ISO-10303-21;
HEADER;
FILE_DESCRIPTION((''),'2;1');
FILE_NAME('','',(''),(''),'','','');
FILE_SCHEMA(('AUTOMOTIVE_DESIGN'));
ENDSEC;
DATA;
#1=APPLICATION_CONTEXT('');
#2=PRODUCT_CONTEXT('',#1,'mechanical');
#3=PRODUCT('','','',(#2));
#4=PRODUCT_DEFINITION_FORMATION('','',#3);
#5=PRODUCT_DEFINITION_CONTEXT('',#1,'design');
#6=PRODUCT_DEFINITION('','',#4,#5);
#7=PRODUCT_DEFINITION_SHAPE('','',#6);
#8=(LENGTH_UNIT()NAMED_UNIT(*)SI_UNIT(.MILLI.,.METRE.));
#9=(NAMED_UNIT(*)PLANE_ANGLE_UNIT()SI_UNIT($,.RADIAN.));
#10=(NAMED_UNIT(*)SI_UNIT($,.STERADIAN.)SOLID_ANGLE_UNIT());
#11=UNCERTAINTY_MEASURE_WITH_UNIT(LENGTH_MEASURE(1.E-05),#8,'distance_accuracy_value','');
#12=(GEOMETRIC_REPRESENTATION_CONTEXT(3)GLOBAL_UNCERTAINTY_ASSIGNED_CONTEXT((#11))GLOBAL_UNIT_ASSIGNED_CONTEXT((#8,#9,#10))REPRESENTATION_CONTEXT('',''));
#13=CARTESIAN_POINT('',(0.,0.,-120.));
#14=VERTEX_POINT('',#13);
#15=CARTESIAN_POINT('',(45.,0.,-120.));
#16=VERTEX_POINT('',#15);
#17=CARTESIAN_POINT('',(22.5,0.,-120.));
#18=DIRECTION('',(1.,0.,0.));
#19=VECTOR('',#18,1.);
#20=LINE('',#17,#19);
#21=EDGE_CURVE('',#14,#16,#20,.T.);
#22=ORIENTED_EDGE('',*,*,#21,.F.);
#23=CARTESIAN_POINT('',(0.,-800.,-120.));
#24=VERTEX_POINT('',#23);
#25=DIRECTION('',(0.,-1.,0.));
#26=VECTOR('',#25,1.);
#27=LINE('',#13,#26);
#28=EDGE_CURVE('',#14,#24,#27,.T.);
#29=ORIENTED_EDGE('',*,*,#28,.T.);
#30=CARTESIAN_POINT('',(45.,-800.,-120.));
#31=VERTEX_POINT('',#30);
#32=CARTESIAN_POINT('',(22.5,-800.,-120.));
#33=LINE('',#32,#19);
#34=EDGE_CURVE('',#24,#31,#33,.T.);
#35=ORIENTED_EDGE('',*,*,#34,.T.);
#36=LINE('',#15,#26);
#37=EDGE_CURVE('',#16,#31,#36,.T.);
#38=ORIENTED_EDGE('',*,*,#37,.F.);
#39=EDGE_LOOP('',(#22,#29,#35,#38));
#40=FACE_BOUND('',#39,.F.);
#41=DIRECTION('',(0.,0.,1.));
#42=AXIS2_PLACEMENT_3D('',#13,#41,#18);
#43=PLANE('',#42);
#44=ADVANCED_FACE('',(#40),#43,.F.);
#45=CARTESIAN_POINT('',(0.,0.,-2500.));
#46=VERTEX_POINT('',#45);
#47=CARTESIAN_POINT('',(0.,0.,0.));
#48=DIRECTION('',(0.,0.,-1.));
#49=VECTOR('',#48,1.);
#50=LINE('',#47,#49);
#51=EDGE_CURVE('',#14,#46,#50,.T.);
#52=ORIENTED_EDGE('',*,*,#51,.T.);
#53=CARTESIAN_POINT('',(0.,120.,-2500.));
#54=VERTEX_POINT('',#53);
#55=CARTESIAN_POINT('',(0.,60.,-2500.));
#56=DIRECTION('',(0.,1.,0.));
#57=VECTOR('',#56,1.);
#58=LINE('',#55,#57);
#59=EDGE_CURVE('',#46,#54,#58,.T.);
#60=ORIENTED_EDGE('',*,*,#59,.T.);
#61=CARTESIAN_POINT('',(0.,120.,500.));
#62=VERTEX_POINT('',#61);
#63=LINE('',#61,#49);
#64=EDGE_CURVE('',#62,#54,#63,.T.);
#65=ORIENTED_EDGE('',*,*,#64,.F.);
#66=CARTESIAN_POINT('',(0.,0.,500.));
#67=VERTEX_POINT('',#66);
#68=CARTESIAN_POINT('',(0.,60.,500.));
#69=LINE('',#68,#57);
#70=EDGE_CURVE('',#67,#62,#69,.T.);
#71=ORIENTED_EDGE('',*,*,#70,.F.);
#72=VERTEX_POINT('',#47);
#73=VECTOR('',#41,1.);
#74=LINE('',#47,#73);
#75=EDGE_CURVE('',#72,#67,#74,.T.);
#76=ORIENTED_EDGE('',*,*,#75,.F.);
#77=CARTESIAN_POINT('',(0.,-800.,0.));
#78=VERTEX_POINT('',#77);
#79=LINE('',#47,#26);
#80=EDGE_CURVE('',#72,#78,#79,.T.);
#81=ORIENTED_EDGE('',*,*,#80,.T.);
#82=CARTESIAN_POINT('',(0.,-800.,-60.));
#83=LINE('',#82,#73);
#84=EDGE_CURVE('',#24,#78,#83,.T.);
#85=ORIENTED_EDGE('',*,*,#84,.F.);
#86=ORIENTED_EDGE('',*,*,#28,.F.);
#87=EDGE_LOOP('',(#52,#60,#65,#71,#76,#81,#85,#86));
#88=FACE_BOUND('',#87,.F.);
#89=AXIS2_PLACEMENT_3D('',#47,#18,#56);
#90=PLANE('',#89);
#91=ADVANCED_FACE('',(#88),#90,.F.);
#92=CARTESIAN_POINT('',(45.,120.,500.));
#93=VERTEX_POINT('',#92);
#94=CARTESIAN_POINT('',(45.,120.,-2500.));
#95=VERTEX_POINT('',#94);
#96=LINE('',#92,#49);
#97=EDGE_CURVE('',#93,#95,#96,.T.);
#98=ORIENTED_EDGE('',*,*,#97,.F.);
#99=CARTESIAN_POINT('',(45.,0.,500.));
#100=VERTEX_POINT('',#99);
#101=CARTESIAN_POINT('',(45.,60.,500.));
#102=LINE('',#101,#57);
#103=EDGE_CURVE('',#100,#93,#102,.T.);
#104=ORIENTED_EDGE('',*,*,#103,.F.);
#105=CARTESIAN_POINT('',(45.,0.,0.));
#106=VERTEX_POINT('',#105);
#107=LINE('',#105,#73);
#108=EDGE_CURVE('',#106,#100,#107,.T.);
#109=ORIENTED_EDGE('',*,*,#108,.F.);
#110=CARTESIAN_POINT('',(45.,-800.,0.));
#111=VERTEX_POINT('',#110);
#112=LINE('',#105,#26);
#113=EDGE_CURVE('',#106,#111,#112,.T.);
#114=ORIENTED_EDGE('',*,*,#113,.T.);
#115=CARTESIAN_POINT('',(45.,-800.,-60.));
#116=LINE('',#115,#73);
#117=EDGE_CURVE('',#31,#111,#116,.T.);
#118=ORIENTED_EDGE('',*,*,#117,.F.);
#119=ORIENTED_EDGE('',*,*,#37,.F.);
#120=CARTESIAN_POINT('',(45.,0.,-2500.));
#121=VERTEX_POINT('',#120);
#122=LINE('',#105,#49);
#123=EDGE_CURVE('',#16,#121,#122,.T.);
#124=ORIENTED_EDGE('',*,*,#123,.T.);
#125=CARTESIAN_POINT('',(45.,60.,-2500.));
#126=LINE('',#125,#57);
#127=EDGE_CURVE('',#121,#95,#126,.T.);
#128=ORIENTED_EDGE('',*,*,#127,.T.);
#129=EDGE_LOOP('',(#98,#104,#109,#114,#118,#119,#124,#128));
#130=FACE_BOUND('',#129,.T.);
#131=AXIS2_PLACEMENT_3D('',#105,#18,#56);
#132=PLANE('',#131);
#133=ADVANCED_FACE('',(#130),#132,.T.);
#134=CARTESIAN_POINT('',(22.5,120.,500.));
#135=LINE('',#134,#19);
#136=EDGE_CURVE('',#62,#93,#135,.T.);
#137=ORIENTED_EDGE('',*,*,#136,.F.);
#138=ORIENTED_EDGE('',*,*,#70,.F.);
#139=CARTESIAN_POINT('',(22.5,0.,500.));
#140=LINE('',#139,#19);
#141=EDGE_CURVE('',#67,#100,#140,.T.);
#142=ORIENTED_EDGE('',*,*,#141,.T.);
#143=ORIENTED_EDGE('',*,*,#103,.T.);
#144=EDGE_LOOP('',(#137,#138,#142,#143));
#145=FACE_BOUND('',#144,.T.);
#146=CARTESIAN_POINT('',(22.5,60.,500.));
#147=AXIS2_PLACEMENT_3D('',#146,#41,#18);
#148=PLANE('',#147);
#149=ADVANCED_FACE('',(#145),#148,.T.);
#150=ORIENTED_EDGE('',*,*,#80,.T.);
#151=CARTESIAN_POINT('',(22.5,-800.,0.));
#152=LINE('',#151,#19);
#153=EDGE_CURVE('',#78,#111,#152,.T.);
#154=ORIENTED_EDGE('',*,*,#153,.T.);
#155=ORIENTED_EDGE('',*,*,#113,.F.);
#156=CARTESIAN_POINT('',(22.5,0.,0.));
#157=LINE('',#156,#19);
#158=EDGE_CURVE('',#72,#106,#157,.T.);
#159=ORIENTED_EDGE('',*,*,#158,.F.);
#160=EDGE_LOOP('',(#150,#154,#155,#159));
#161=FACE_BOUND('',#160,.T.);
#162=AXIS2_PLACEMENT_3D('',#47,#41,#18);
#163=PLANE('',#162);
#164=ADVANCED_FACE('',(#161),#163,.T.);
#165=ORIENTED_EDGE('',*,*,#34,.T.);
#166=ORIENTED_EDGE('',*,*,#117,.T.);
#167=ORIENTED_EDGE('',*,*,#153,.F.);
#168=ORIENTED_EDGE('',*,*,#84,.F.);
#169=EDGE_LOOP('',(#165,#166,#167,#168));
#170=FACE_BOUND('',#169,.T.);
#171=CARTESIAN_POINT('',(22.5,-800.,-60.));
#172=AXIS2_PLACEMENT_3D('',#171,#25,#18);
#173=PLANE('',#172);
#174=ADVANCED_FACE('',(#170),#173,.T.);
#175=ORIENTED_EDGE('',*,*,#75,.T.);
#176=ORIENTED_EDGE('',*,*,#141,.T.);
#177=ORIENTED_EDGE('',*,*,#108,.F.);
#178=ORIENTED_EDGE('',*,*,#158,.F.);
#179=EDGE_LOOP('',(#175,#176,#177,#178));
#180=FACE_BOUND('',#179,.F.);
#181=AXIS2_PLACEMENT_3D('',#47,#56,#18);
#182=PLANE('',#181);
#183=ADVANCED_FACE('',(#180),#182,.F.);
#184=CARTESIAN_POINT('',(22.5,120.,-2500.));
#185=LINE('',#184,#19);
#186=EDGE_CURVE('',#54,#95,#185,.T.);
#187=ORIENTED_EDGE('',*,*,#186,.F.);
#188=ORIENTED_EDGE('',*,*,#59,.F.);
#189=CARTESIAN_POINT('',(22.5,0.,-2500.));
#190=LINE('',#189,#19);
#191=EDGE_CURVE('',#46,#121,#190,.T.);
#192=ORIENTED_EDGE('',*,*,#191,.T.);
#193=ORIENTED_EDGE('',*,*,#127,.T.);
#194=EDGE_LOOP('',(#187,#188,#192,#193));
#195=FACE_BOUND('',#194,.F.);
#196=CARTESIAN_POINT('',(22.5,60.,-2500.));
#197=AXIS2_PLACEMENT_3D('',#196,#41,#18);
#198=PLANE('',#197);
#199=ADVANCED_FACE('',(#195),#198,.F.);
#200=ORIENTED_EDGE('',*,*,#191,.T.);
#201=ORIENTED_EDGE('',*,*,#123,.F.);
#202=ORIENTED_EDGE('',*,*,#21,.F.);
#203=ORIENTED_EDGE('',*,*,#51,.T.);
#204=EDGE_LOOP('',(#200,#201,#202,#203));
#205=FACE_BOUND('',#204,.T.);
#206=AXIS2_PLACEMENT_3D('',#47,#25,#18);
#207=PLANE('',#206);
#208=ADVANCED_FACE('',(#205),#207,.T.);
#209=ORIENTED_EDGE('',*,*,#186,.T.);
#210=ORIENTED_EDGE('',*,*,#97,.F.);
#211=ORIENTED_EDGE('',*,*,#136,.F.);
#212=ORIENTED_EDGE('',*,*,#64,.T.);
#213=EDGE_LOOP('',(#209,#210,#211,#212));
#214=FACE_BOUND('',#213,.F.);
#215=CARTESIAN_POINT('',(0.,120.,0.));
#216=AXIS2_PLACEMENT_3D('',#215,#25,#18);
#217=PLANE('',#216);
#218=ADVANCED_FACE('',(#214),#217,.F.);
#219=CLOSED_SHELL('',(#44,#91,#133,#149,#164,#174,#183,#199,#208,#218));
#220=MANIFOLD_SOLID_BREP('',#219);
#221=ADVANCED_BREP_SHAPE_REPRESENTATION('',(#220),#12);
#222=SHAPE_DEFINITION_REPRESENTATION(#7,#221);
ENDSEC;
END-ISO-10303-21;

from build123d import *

# Parameters (mm, degrees)
F0_W          = 45
F0_H          = 120
F1_DEPTH      = 800
F2_W          = 45
F2_H          = 120
F3_DEPTH      = 500
F3_DEPTH_BACK = 2500


with BuildPart() as f1:
    # F0 (on Front) → F1 (new body)
    with BuildSketch(Plane.XZ):
        with Locations((22.5, -60)):
            Rectangle(F0_W, F0_H)
    extrude(amount=F1_DEPTH)

    # F2 (on Top) → F3 (join, two sides)
    with BuildSketch(Plane.XY) as f3_sk:
        with Locations((22.5, 60)):
            Rectangle(F2_W, F2_H)
    extrude(amount=F3_DEPTH)
    extrude(f3_sk.sketch, amount=-F3_DEPTH_BACK)


solid = f1.part
